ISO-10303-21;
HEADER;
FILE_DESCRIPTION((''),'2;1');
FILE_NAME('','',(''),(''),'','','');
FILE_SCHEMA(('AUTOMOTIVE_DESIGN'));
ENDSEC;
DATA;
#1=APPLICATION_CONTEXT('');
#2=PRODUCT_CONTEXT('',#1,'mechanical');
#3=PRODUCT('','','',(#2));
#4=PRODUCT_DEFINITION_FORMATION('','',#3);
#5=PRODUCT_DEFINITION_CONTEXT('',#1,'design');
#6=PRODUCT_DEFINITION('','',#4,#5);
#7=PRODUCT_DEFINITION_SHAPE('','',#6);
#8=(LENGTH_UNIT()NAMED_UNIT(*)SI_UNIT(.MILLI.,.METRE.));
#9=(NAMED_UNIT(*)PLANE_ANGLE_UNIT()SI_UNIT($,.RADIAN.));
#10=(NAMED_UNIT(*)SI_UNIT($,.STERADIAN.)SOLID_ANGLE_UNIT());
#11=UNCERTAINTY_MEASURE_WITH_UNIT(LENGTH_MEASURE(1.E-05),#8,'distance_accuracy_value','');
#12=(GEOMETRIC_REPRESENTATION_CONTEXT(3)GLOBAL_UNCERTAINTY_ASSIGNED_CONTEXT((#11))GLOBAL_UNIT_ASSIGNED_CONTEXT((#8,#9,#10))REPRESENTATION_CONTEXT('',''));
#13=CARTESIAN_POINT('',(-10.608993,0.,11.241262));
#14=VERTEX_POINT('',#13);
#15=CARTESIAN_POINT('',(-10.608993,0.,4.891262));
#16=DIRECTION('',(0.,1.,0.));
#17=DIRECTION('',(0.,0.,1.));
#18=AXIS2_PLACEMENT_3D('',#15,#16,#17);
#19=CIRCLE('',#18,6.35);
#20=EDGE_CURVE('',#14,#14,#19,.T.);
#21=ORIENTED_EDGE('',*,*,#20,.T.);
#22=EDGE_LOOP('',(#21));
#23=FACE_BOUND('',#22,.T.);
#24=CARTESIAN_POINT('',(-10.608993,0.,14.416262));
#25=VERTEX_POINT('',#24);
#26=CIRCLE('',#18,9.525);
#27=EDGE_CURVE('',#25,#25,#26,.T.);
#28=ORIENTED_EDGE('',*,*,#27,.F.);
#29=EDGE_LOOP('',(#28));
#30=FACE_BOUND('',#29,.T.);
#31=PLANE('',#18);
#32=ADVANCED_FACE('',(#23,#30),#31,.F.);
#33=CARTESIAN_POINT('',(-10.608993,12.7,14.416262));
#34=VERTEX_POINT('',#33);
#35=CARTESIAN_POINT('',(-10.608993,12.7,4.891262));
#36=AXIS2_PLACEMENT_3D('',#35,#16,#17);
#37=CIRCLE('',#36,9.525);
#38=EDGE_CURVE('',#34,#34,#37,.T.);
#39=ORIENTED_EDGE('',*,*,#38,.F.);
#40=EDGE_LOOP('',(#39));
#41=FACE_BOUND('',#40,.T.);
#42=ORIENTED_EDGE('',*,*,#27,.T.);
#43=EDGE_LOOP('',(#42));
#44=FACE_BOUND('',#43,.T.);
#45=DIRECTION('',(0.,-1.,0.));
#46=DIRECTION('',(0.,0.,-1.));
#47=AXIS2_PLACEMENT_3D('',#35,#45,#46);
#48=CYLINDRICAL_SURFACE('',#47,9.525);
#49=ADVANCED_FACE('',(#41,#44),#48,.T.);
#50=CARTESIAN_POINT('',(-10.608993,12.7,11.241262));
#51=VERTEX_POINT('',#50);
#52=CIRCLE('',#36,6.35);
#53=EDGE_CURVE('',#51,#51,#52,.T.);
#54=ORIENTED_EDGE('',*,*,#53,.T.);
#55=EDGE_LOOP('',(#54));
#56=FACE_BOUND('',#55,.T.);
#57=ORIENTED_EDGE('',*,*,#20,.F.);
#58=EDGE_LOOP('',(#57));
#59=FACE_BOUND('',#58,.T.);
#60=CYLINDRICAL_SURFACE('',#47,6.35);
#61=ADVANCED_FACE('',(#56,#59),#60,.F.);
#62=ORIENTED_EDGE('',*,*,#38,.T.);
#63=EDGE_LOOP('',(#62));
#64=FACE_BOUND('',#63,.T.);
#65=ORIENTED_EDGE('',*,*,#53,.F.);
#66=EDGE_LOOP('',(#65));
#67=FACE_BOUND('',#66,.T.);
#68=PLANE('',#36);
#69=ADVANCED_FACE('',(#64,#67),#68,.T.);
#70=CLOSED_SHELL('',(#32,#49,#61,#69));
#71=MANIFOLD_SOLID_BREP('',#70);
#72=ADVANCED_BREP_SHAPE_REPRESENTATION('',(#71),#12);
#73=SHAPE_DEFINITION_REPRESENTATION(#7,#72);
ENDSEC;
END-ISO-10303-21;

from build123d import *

# Parameters (mm, degrees)
SKETCH1_R           = 9.525
SKETCH1_R_2         = 6.35
BOSS_EXTRUDE1_DEPTH = 12.7


with BuildPart() as part:
    # Sketch1 → Boss-Extrude1 (new body)
    with BuildSketch(Plane(origin=(0, 0, 0), x_dir=(1, 0, 0), z_dir=(0, 1, 0))):
        with Locations((-10.608993193, -4.891262371)):
            Circle(SKETCH1_R)
        with Locations((-10.608993193, -4.891262371)):
            Circle(SKETCH1_R_2, mode=Mode.SUBTRACT)
    extrude(amount=BOSS_EXTRUDE1_DEPTH)


solid = part.part
